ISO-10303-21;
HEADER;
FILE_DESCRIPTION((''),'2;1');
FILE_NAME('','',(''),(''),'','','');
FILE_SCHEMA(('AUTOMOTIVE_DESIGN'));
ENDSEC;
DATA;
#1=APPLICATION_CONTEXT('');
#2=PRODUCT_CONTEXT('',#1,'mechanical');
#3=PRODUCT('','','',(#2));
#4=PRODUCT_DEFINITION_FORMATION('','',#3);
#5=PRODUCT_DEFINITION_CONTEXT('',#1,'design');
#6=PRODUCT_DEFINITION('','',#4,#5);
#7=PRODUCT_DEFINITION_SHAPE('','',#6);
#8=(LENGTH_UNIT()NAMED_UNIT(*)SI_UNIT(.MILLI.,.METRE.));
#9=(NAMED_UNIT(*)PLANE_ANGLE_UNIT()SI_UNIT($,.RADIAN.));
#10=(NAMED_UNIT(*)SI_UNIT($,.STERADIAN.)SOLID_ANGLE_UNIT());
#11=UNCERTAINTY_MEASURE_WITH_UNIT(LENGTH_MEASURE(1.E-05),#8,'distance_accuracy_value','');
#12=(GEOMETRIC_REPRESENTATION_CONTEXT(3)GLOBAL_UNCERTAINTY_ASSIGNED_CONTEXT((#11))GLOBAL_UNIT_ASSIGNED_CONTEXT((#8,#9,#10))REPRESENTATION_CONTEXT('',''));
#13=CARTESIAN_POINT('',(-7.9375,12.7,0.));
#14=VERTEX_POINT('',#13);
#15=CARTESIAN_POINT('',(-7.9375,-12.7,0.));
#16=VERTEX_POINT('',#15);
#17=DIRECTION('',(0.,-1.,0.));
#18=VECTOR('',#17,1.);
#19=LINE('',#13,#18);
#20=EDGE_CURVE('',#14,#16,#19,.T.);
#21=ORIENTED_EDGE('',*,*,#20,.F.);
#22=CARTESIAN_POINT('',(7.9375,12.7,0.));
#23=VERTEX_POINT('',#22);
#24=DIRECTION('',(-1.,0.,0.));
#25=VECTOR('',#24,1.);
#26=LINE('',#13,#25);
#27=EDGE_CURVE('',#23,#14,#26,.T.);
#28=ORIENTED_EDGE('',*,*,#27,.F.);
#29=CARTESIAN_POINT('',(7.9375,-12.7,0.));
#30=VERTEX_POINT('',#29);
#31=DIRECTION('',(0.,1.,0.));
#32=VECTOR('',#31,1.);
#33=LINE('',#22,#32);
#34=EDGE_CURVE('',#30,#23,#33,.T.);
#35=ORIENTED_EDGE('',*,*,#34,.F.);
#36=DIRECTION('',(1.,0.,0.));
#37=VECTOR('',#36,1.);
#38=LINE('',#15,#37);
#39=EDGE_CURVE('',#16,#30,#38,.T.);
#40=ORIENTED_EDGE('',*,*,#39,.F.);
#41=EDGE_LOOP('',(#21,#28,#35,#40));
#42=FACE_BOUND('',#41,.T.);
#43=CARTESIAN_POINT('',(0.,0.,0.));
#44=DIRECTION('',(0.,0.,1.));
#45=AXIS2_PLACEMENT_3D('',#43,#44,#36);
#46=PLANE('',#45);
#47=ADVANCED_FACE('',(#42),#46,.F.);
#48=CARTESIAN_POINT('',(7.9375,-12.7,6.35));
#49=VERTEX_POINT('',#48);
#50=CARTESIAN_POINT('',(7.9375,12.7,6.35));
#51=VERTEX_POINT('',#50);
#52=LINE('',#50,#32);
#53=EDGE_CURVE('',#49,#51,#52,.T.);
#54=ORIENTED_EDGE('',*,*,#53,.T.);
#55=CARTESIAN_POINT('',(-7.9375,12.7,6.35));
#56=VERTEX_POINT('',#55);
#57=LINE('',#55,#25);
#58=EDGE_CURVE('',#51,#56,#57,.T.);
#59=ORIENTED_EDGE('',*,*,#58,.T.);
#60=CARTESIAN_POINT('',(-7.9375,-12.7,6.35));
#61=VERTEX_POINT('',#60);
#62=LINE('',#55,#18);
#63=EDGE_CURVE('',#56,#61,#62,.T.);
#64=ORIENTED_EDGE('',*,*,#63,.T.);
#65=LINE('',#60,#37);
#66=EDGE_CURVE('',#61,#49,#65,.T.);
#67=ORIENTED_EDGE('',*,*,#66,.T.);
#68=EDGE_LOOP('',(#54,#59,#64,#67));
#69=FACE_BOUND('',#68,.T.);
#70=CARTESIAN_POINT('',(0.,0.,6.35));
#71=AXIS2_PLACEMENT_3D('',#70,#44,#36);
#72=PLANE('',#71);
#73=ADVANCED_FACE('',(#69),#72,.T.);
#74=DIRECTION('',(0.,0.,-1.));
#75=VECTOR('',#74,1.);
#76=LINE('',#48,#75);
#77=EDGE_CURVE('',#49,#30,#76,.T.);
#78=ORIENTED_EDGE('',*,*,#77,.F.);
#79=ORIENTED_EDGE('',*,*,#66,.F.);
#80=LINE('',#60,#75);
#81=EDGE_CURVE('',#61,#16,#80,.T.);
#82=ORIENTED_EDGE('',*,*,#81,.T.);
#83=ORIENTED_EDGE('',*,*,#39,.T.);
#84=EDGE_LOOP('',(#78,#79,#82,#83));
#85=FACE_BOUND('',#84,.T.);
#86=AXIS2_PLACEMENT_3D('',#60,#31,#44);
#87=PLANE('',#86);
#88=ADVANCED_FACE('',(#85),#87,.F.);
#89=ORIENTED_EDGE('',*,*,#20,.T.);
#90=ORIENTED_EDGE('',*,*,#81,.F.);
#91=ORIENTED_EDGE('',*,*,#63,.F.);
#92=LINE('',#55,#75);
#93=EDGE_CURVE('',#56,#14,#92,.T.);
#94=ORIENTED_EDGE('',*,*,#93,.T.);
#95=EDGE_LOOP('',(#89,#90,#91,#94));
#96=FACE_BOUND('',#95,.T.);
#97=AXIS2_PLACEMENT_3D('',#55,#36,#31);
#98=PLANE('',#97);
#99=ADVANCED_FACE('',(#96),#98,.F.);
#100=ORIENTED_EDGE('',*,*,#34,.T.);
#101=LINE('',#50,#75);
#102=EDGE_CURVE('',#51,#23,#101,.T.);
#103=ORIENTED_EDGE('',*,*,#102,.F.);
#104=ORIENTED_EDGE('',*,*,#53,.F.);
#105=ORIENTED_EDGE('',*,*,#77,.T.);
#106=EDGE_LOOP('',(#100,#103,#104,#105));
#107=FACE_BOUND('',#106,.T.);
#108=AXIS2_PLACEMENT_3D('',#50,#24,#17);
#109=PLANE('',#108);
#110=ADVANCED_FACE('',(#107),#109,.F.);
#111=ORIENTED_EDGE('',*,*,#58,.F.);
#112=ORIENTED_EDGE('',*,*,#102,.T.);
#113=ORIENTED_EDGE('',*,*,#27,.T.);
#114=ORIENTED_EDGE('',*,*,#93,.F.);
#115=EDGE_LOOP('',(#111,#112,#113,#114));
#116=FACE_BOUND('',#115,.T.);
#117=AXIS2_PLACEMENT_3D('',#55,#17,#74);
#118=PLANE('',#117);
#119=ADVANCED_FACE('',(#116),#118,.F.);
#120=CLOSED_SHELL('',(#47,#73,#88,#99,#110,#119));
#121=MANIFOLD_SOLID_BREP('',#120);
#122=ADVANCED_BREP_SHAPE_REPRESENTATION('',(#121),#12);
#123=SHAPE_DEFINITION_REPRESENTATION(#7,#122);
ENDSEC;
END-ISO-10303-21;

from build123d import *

# Parameters (mm, degrees)
SKETCH1_W           = 15.875
SKETCH1_H           = 25.4
BOSS_EXTRUDE1_DEPTH = 6.35


with BuildPart() as part:
    # Sketch1 → Boss-Extrude1 (new body)
    with BuildSketch(Plane.XY):
        Rectangle(SKETCH1_W, SKETCH1_H)
    extrude(amount=BOSS_EXTRUDE1_DEPTH)


solid = part.part
